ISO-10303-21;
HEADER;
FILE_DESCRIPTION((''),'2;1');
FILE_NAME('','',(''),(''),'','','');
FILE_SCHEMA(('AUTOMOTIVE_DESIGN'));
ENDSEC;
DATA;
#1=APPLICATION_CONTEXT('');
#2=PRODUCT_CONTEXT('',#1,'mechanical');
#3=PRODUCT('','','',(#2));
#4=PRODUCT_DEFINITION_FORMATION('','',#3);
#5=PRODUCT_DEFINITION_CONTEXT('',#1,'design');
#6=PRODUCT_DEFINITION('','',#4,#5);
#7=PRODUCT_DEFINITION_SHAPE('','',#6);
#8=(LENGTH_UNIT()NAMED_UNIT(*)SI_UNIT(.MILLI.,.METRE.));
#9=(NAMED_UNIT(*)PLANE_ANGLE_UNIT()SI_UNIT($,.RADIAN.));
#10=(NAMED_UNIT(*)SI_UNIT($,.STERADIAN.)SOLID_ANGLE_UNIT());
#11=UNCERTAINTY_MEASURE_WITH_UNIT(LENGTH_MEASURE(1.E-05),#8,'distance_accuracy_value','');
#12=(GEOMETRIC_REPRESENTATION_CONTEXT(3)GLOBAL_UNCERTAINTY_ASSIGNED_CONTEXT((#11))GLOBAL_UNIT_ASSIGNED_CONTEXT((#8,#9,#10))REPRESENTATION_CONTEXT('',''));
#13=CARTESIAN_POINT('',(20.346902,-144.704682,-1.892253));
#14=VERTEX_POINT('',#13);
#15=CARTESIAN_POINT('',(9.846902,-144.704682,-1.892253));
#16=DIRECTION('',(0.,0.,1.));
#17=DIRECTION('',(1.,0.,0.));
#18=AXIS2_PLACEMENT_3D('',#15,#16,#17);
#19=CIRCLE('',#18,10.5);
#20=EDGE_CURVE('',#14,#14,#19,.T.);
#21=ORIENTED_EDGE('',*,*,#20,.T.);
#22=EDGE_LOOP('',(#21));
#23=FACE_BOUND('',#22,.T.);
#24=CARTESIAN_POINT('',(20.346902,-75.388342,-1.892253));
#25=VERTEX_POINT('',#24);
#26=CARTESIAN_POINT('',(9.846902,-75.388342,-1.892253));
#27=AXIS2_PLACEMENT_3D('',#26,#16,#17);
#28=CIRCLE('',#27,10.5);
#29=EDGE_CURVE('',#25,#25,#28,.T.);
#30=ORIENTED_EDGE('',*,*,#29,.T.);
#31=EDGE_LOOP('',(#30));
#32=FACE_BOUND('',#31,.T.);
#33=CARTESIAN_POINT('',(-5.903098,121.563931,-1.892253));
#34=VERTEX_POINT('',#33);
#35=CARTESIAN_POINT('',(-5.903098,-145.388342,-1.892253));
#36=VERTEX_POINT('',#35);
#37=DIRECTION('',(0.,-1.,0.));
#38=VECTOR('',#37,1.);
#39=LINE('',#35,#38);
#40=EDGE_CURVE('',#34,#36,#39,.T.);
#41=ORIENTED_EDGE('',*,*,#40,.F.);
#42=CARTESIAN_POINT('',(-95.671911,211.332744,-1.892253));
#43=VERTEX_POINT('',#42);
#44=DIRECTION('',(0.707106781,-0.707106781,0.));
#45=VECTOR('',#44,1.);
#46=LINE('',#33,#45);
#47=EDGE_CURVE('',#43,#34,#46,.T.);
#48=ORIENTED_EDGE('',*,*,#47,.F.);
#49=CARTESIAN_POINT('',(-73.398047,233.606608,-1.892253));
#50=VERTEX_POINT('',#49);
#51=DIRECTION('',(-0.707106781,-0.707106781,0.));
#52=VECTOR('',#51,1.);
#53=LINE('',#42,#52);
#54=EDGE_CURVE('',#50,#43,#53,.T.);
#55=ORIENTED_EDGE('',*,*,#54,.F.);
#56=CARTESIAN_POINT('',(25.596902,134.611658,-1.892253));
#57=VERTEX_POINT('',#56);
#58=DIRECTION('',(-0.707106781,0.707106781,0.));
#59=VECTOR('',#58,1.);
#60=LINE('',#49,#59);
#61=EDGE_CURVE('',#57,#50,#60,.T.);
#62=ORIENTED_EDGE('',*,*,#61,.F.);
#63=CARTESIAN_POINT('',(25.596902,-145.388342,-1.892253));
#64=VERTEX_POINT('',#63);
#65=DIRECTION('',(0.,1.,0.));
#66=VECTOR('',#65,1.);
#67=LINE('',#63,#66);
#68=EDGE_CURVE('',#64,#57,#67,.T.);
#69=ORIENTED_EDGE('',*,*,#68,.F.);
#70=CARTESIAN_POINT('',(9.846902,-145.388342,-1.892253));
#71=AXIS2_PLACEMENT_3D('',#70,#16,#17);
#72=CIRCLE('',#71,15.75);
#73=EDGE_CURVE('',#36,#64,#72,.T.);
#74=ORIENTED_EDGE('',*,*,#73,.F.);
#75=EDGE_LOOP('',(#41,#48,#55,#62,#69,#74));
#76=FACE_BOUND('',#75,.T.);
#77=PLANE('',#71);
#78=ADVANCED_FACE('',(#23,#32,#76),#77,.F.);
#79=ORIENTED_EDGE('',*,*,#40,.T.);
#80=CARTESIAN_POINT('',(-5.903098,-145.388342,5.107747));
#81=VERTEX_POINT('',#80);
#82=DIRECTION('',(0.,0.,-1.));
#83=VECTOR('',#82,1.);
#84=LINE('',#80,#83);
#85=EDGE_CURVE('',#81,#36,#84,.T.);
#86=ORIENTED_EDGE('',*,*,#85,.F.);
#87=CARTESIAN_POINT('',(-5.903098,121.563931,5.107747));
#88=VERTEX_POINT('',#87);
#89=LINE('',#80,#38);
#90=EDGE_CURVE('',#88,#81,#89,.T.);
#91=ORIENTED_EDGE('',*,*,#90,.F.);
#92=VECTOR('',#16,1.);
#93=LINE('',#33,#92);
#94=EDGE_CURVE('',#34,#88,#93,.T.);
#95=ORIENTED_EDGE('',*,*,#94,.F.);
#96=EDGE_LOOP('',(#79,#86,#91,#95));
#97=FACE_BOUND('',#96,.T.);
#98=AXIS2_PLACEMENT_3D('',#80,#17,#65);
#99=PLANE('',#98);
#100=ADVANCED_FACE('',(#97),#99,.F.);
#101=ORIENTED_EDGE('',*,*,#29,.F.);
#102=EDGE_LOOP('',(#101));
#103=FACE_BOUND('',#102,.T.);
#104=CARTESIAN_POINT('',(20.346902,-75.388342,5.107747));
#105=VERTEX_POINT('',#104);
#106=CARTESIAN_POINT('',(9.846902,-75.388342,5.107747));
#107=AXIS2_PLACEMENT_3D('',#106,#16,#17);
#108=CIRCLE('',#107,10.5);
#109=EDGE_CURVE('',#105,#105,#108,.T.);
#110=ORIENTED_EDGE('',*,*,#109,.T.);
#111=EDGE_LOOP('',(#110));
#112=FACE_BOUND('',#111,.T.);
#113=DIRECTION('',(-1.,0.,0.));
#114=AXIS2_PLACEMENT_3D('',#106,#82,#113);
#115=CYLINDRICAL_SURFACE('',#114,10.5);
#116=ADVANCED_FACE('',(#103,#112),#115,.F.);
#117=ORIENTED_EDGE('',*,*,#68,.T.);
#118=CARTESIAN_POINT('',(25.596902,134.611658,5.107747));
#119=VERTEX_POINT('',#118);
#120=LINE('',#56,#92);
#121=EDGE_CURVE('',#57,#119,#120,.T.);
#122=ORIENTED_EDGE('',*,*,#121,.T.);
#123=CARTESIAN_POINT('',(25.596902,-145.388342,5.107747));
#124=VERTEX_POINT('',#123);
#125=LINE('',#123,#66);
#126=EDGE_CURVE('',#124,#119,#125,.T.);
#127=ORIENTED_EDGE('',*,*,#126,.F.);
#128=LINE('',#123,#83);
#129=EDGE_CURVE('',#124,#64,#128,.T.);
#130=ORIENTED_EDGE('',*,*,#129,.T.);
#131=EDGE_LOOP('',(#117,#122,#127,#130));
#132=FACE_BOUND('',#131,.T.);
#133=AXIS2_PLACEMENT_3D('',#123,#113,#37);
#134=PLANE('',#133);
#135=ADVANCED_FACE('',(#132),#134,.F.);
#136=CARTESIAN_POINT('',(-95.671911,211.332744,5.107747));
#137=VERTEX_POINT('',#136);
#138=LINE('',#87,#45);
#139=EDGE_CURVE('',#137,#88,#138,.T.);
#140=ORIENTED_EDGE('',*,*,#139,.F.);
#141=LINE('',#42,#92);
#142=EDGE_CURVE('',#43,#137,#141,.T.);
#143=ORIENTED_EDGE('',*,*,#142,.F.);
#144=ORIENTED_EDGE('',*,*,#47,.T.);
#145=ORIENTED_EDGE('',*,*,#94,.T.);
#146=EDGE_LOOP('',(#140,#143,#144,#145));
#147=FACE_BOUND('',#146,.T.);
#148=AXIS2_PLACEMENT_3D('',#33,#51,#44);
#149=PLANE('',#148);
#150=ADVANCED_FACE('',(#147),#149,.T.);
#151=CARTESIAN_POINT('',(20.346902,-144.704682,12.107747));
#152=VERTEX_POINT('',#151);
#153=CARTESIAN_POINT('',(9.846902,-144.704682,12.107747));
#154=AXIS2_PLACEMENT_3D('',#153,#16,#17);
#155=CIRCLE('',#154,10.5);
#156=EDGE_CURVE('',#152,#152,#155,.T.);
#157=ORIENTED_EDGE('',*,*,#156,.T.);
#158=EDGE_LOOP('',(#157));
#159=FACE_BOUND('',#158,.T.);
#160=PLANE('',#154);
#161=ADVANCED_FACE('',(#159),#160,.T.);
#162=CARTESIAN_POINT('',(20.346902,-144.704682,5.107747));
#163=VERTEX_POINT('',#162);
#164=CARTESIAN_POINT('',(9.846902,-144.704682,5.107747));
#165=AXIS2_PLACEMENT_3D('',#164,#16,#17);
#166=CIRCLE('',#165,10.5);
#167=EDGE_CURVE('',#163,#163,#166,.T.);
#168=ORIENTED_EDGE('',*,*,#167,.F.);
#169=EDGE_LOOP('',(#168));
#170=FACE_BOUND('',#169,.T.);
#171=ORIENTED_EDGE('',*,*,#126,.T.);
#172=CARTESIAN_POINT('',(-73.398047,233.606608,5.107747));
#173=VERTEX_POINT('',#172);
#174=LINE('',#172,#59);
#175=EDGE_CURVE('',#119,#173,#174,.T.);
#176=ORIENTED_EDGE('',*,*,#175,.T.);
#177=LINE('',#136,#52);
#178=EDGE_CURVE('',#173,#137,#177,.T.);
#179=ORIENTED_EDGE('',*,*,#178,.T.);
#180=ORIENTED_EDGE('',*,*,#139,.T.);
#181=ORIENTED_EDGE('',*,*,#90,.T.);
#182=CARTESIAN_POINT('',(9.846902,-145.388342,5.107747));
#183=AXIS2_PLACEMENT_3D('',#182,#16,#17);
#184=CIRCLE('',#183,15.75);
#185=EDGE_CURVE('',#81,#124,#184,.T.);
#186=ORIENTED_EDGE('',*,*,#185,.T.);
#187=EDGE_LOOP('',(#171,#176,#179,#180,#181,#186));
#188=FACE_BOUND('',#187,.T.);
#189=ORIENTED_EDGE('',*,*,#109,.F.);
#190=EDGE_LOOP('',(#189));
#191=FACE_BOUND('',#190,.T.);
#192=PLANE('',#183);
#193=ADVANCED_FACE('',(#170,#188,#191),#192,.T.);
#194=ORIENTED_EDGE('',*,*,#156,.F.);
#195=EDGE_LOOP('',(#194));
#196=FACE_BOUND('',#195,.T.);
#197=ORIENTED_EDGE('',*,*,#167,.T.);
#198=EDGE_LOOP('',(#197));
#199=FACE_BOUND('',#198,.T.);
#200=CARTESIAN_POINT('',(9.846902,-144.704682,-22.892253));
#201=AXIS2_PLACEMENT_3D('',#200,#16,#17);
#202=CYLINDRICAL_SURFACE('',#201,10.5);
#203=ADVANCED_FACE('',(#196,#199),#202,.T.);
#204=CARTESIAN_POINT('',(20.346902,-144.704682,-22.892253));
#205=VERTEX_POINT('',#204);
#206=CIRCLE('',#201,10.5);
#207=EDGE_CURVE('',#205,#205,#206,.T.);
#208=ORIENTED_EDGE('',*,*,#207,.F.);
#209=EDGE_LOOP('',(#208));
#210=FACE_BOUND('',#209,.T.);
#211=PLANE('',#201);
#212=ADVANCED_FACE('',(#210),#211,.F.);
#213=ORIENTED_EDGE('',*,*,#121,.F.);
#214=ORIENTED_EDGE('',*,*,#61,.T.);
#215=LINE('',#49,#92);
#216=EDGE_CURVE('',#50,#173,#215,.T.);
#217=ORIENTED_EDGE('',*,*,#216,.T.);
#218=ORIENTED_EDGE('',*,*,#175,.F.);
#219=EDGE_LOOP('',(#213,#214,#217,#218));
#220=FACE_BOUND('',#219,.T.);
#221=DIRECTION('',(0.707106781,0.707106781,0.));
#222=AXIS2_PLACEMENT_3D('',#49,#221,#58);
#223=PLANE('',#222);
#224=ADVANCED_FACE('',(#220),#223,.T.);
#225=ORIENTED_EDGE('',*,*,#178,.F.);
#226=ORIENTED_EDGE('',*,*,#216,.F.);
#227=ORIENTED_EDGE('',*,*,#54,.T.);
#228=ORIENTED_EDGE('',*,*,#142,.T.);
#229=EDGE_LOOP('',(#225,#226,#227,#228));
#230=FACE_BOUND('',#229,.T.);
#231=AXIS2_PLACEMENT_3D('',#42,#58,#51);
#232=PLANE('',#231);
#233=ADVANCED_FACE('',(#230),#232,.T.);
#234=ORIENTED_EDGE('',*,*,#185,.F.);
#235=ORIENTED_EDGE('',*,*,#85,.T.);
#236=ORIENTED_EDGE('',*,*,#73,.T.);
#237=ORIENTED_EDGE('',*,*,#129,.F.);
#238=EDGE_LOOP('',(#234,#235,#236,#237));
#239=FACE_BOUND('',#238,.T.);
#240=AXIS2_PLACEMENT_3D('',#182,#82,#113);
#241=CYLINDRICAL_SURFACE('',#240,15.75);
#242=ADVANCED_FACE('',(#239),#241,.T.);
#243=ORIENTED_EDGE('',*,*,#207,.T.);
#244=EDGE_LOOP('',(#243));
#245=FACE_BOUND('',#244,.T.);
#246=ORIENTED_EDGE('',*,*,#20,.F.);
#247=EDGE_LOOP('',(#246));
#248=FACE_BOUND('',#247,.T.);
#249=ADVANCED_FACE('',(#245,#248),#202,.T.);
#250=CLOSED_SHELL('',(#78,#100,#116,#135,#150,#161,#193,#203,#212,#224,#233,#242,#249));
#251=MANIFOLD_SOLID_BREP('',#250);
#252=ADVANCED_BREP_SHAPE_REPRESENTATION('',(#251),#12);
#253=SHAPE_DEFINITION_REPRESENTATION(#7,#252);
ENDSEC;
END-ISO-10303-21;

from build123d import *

# Parameters (mm, degrees)
SKETCH_1_R           = 3
EXTRUDE_1_DEPTH      = 2
SKETCH_2_R           = 3
EXTRUDE_2_DEPTH      = 2
EXTRUDE_2_DEPTH_BACK = 8
EXTRUDE_4_DEPTH      = 2
SCALE_1_SCALE        = 3.5


with BuildPart() as part:
    # 草图1 → 凸台-拉伸1 (new body)
    with BuildSketch(Plane.XY):
        with BuildLine():
            Line((-4.5, -20), (-4.5, 20))
            ThreePointArc((-4.5, 20), (0, 24.5), (4.5, 20))
            Line((4.5, 20), (4.5, -20))
            ThreePointArc((4.5, -20), (0, -24.5), (-4.5, -20))
        make_face()
        Circle(SKETCH_1_R, mode=Mode.SUBTRACT)
    extrude(amount=EXTRUDE_1_DEPTH)

    # 草图2 → 凸台-拉伸2 (add, two sides)
    with BuildSketch(Plane.XY.offset(2)) as extrude_2_sk:
        with Locations((0, -19.804668681)):
            Circle(SKETCH_2_R)
    extrude(amount=EXTRUDE_2_DEPTH)
    extrude(extrude_2_sk.sketch, amount=-EXTRUDE_2_DEPTH_BACK)

    # 草图3 → 凸台-拉伸4 (add)
    with BuildSketch(Plane.XY.offset(2)):
        Polygon((-4.5, 20), (-4.5, 56.272077939), (-30.148232278, 81.920310217), (-23.784271247, 88.284271247), (4.5, 60), (4.5, 20), align=None)
    extrude(amount=-EXTRUDE_4_DEPTH)


with BuildPart() as part_1:
    # 缩放比例1: scaled about (-3.938760867, 30.155336672, 0.75690128)
    add(part.part.scale(SCALE_1_SCALE).moved(Location((9.846902167, -75.38834168, -1.8922532))))


solid = part_1.part
